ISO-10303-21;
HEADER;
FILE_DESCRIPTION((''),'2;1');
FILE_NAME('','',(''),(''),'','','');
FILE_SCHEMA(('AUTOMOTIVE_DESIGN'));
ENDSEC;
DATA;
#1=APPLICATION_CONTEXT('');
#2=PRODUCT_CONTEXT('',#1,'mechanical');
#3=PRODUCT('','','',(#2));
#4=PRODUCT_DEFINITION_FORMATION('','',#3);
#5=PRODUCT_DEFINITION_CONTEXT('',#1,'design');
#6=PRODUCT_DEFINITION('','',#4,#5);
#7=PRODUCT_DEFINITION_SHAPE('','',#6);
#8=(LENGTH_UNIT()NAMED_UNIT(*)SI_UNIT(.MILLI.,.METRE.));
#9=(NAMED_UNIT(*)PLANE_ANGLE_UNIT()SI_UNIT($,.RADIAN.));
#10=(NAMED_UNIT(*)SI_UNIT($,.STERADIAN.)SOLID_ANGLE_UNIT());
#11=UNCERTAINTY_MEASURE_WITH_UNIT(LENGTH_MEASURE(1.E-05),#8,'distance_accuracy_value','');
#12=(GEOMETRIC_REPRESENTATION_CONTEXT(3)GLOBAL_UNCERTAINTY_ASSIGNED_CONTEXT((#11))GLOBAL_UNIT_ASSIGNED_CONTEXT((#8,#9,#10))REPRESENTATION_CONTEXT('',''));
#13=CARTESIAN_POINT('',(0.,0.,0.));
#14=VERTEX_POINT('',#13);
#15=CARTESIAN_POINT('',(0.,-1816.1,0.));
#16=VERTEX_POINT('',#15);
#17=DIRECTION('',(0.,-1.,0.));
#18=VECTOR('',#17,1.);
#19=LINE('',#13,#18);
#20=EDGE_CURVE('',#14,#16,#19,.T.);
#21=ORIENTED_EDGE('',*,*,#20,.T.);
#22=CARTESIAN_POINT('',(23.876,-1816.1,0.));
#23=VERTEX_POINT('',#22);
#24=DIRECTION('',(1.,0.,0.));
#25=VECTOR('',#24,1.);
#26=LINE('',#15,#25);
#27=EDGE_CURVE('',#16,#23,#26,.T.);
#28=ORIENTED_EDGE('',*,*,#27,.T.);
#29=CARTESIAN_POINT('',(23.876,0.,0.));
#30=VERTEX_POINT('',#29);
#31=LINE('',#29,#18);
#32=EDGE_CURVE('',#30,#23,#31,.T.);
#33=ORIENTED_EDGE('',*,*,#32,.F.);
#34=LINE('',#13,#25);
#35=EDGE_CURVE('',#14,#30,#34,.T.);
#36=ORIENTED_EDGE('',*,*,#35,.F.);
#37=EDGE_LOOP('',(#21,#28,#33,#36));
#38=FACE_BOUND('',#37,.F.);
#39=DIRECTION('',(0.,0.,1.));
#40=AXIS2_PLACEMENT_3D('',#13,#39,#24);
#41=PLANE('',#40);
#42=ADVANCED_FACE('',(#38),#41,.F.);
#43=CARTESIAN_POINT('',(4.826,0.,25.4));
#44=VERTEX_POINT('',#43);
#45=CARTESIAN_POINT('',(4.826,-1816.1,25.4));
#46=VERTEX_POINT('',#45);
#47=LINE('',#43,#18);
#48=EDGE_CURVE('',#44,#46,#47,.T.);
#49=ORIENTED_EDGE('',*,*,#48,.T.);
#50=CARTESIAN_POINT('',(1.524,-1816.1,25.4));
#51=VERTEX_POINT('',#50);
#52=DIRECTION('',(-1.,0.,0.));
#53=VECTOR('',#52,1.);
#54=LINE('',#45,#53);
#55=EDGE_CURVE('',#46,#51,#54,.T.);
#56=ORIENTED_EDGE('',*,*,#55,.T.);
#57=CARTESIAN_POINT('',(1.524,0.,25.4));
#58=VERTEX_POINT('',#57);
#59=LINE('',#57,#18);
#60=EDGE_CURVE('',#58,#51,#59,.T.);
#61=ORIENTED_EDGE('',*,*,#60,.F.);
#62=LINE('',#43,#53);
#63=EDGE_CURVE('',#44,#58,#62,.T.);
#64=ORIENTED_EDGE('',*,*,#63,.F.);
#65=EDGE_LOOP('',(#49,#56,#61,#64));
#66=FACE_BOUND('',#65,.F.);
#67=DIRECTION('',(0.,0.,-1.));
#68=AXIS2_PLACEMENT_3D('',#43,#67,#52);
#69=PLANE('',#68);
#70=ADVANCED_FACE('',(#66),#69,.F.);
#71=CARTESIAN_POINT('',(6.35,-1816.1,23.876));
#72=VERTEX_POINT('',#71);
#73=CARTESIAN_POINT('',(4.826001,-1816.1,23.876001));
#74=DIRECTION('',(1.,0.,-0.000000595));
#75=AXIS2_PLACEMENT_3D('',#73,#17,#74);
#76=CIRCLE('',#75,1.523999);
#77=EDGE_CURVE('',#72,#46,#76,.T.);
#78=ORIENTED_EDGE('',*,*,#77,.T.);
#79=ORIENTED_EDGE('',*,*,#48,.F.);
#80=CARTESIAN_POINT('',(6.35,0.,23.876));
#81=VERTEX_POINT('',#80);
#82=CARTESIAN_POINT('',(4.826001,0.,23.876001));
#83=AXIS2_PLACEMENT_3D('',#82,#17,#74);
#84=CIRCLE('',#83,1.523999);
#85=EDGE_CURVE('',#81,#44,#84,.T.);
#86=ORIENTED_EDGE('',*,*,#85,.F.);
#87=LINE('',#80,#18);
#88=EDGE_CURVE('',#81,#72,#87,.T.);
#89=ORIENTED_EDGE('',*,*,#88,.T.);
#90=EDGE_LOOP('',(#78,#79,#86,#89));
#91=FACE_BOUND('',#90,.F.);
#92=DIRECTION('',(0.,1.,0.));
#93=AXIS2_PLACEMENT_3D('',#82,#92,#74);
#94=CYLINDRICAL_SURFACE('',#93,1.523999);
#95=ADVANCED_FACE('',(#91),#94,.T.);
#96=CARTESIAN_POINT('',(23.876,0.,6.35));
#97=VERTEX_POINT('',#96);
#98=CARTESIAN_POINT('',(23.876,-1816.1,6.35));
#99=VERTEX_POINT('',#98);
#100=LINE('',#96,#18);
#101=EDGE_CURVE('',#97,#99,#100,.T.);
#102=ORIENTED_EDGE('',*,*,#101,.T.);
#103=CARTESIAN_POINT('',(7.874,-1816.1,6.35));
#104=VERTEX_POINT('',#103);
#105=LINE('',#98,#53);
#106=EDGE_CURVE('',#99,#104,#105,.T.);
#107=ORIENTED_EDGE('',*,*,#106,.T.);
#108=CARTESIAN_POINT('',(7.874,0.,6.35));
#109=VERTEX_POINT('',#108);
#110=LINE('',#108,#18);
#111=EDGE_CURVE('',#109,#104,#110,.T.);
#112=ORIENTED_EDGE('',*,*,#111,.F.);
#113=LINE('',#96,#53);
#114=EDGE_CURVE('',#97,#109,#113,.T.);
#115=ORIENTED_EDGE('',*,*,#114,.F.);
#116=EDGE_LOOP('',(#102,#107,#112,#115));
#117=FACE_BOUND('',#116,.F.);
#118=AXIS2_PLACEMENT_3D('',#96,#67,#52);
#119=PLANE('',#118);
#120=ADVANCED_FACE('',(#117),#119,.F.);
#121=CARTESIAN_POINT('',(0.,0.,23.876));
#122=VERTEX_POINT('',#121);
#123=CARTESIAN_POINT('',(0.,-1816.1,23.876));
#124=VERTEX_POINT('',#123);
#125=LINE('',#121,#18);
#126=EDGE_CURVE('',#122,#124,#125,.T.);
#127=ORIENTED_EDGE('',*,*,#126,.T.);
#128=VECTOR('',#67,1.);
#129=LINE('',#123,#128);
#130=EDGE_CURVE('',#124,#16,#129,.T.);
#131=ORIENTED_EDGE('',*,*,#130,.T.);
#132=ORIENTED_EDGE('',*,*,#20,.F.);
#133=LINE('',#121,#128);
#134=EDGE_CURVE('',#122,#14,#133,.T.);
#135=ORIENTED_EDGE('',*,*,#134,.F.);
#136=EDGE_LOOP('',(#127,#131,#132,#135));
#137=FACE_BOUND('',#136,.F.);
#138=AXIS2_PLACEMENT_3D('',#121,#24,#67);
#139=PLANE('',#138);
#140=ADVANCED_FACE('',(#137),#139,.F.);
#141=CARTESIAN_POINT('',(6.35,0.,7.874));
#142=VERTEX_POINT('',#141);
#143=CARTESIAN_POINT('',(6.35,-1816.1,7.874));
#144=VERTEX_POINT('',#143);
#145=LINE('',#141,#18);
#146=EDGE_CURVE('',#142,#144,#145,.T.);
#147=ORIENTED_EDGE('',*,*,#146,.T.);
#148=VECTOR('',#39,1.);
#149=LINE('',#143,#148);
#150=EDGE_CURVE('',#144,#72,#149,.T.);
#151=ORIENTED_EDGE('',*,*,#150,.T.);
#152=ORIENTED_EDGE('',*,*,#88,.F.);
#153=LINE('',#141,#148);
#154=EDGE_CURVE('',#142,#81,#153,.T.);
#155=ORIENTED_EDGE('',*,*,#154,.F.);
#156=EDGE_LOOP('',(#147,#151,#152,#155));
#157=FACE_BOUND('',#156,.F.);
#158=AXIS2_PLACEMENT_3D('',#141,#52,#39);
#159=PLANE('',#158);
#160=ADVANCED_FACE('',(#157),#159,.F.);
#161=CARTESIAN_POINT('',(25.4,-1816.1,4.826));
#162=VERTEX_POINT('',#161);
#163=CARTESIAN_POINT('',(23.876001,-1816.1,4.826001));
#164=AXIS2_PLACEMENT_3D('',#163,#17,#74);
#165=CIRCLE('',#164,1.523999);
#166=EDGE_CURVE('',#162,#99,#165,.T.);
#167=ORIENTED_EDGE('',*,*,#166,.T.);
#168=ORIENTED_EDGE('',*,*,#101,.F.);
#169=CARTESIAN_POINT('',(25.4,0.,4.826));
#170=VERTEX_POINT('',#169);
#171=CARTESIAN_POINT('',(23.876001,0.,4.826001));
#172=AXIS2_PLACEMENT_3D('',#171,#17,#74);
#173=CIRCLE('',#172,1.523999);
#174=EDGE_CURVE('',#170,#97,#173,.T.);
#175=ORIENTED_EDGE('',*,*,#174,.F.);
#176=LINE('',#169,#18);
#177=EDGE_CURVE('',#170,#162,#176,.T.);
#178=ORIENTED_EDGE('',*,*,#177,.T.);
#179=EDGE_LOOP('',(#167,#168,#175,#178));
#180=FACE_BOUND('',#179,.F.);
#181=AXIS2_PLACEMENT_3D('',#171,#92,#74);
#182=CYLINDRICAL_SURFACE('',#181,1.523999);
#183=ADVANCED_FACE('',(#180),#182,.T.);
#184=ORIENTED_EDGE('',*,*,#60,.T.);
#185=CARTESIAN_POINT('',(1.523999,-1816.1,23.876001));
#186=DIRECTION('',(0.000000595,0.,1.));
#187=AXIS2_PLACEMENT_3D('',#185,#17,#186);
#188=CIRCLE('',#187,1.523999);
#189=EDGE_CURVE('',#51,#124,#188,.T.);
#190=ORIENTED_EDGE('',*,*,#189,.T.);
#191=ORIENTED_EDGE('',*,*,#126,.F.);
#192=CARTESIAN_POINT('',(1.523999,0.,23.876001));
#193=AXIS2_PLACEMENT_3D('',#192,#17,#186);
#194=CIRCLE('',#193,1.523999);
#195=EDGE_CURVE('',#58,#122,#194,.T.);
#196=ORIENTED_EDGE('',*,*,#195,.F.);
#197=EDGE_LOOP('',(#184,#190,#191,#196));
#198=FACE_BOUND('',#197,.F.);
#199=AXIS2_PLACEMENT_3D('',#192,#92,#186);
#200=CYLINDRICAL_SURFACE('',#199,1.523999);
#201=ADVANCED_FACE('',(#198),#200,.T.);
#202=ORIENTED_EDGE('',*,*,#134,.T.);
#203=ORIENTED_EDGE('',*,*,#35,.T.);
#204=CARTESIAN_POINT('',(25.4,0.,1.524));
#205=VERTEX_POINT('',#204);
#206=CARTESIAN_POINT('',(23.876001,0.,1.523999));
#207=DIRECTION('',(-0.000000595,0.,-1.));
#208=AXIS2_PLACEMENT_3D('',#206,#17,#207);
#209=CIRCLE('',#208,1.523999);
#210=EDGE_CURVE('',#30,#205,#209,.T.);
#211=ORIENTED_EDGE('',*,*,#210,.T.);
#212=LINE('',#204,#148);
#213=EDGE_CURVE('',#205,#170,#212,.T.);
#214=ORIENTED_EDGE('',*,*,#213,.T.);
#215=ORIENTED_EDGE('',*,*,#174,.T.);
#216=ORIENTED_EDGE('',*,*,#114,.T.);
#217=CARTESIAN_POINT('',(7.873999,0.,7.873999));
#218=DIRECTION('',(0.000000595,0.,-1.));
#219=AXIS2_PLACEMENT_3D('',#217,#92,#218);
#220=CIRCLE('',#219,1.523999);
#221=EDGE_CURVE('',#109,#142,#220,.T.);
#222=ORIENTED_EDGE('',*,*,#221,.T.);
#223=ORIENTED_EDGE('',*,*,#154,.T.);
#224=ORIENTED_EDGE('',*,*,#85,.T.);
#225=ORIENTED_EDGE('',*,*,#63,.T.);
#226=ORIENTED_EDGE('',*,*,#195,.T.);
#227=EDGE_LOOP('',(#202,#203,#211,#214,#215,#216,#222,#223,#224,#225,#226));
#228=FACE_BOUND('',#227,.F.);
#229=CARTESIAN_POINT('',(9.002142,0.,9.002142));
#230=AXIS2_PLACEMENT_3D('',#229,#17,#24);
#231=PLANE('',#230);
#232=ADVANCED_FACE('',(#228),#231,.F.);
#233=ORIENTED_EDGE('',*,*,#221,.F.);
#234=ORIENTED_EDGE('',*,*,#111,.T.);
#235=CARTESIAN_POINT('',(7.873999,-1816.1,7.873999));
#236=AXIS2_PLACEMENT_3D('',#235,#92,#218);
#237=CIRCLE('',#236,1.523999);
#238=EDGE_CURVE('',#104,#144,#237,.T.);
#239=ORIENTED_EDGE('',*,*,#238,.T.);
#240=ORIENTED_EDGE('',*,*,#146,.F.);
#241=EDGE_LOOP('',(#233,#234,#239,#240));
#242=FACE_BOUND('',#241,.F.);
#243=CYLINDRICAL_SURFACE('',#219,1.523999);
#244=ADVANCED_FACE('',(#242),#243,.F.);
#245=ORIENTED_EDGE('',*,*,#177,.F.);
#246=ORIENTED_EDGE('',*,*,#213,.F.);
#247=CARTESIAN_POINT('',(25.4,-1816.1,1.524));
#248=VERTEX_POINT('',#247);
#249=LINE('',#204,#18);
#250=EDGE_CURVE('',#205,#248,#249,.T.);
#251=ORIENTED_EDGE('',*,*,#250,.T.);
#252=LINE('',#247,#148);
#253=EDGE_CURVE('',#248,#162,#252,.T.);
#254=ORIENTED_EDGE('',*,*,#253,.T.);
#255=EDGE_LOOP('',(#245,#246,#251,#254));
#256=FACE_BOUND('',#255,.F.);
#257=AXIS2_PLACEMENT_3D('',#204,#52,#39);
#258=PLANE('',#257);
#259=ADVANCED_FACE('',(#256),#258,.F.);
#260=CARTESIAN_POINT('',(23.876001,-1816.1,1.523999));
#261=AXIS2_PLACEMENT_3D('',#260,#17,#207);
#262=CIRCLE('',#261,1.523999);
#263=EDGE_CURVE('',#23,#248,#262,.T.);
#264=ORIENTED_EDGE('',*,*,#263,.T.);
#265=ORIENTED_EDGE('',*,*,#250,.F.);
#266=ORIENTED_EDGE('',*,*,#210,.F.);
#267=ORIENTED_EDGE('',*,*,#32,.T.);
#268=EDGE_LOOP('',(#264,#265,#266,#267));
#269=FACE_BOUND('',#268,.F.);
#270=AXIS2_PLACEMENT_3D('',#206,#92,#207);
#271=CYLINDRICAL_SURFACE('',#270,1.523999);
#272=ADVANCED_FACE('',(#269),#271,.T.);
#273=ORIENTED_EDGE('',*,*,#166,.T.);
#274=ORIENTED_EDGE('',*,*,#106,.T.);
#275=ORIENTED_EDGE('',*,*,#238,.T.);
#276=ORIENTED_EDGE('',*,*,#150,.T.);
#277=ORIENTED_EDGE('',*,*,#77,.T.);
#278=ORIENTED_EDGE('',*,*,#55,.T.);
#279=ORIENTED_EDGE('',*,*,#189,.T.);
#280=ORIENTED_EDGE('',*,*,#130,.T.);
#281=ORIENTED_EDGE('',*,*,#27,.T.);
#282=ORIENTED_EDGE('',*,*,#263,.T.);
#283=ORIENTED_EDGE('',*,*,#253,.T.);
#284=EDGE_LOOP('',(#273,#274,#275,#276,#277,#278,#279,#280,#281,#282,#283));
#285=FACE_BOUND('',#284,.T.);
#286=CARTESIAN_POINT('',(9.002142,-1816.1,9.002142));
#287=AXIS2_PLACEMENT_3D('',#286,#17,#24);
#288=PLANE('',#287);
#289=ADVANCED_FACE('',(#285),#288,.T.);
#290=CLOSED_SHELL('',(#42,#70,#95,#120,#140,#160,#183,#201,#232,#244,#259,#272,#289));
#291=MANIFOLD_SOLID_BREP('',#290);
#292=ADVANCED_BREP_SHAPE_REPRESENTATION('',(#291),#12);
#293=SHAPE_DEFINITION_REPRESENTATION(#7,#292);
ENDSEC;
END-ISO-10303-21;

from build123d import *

# Parameters (mm, degrees)
F1_DEPTH = 1816.1


with BuildPart() as f1:
    # F0 (on Front) → F1 (new body)
    with BuildSketch(Plane.XZ):
        with BuildLine():
            Line((0, 23.876), (0, 0))
            Line((0, 0), (23.876, 0))
            ThreePointArc((23.876, 0), (24.953631, 0.446369), (25.4, 1.524))
            Line((25.4, 1.524), (25.4, 4.826))
            ThreePointArc((25.4, 4.826), (24.953631, 5.903631), (23.876, 6.35))
            Line((23.876, 6.35), (7.874, 6.35))
            ThreePointArc((7.874, 6.35), (6.796369, 6.796369), (6.35, 7.874))
            Line((6.35, 7.874), (6.35, 23.876))
            ThreePointArc((6.35, 23.876), (5.903631, 24.953631), (4.826, 25.4))
            Line((4.826, 25.4), (1.524, 25.4))
            ThreePointArc((1.524, 25.4), (0.446369, 24.953631), (0, 23.876))
        make_face()
    extrude(amount=F1_DEPTH)


solid = f1.part
